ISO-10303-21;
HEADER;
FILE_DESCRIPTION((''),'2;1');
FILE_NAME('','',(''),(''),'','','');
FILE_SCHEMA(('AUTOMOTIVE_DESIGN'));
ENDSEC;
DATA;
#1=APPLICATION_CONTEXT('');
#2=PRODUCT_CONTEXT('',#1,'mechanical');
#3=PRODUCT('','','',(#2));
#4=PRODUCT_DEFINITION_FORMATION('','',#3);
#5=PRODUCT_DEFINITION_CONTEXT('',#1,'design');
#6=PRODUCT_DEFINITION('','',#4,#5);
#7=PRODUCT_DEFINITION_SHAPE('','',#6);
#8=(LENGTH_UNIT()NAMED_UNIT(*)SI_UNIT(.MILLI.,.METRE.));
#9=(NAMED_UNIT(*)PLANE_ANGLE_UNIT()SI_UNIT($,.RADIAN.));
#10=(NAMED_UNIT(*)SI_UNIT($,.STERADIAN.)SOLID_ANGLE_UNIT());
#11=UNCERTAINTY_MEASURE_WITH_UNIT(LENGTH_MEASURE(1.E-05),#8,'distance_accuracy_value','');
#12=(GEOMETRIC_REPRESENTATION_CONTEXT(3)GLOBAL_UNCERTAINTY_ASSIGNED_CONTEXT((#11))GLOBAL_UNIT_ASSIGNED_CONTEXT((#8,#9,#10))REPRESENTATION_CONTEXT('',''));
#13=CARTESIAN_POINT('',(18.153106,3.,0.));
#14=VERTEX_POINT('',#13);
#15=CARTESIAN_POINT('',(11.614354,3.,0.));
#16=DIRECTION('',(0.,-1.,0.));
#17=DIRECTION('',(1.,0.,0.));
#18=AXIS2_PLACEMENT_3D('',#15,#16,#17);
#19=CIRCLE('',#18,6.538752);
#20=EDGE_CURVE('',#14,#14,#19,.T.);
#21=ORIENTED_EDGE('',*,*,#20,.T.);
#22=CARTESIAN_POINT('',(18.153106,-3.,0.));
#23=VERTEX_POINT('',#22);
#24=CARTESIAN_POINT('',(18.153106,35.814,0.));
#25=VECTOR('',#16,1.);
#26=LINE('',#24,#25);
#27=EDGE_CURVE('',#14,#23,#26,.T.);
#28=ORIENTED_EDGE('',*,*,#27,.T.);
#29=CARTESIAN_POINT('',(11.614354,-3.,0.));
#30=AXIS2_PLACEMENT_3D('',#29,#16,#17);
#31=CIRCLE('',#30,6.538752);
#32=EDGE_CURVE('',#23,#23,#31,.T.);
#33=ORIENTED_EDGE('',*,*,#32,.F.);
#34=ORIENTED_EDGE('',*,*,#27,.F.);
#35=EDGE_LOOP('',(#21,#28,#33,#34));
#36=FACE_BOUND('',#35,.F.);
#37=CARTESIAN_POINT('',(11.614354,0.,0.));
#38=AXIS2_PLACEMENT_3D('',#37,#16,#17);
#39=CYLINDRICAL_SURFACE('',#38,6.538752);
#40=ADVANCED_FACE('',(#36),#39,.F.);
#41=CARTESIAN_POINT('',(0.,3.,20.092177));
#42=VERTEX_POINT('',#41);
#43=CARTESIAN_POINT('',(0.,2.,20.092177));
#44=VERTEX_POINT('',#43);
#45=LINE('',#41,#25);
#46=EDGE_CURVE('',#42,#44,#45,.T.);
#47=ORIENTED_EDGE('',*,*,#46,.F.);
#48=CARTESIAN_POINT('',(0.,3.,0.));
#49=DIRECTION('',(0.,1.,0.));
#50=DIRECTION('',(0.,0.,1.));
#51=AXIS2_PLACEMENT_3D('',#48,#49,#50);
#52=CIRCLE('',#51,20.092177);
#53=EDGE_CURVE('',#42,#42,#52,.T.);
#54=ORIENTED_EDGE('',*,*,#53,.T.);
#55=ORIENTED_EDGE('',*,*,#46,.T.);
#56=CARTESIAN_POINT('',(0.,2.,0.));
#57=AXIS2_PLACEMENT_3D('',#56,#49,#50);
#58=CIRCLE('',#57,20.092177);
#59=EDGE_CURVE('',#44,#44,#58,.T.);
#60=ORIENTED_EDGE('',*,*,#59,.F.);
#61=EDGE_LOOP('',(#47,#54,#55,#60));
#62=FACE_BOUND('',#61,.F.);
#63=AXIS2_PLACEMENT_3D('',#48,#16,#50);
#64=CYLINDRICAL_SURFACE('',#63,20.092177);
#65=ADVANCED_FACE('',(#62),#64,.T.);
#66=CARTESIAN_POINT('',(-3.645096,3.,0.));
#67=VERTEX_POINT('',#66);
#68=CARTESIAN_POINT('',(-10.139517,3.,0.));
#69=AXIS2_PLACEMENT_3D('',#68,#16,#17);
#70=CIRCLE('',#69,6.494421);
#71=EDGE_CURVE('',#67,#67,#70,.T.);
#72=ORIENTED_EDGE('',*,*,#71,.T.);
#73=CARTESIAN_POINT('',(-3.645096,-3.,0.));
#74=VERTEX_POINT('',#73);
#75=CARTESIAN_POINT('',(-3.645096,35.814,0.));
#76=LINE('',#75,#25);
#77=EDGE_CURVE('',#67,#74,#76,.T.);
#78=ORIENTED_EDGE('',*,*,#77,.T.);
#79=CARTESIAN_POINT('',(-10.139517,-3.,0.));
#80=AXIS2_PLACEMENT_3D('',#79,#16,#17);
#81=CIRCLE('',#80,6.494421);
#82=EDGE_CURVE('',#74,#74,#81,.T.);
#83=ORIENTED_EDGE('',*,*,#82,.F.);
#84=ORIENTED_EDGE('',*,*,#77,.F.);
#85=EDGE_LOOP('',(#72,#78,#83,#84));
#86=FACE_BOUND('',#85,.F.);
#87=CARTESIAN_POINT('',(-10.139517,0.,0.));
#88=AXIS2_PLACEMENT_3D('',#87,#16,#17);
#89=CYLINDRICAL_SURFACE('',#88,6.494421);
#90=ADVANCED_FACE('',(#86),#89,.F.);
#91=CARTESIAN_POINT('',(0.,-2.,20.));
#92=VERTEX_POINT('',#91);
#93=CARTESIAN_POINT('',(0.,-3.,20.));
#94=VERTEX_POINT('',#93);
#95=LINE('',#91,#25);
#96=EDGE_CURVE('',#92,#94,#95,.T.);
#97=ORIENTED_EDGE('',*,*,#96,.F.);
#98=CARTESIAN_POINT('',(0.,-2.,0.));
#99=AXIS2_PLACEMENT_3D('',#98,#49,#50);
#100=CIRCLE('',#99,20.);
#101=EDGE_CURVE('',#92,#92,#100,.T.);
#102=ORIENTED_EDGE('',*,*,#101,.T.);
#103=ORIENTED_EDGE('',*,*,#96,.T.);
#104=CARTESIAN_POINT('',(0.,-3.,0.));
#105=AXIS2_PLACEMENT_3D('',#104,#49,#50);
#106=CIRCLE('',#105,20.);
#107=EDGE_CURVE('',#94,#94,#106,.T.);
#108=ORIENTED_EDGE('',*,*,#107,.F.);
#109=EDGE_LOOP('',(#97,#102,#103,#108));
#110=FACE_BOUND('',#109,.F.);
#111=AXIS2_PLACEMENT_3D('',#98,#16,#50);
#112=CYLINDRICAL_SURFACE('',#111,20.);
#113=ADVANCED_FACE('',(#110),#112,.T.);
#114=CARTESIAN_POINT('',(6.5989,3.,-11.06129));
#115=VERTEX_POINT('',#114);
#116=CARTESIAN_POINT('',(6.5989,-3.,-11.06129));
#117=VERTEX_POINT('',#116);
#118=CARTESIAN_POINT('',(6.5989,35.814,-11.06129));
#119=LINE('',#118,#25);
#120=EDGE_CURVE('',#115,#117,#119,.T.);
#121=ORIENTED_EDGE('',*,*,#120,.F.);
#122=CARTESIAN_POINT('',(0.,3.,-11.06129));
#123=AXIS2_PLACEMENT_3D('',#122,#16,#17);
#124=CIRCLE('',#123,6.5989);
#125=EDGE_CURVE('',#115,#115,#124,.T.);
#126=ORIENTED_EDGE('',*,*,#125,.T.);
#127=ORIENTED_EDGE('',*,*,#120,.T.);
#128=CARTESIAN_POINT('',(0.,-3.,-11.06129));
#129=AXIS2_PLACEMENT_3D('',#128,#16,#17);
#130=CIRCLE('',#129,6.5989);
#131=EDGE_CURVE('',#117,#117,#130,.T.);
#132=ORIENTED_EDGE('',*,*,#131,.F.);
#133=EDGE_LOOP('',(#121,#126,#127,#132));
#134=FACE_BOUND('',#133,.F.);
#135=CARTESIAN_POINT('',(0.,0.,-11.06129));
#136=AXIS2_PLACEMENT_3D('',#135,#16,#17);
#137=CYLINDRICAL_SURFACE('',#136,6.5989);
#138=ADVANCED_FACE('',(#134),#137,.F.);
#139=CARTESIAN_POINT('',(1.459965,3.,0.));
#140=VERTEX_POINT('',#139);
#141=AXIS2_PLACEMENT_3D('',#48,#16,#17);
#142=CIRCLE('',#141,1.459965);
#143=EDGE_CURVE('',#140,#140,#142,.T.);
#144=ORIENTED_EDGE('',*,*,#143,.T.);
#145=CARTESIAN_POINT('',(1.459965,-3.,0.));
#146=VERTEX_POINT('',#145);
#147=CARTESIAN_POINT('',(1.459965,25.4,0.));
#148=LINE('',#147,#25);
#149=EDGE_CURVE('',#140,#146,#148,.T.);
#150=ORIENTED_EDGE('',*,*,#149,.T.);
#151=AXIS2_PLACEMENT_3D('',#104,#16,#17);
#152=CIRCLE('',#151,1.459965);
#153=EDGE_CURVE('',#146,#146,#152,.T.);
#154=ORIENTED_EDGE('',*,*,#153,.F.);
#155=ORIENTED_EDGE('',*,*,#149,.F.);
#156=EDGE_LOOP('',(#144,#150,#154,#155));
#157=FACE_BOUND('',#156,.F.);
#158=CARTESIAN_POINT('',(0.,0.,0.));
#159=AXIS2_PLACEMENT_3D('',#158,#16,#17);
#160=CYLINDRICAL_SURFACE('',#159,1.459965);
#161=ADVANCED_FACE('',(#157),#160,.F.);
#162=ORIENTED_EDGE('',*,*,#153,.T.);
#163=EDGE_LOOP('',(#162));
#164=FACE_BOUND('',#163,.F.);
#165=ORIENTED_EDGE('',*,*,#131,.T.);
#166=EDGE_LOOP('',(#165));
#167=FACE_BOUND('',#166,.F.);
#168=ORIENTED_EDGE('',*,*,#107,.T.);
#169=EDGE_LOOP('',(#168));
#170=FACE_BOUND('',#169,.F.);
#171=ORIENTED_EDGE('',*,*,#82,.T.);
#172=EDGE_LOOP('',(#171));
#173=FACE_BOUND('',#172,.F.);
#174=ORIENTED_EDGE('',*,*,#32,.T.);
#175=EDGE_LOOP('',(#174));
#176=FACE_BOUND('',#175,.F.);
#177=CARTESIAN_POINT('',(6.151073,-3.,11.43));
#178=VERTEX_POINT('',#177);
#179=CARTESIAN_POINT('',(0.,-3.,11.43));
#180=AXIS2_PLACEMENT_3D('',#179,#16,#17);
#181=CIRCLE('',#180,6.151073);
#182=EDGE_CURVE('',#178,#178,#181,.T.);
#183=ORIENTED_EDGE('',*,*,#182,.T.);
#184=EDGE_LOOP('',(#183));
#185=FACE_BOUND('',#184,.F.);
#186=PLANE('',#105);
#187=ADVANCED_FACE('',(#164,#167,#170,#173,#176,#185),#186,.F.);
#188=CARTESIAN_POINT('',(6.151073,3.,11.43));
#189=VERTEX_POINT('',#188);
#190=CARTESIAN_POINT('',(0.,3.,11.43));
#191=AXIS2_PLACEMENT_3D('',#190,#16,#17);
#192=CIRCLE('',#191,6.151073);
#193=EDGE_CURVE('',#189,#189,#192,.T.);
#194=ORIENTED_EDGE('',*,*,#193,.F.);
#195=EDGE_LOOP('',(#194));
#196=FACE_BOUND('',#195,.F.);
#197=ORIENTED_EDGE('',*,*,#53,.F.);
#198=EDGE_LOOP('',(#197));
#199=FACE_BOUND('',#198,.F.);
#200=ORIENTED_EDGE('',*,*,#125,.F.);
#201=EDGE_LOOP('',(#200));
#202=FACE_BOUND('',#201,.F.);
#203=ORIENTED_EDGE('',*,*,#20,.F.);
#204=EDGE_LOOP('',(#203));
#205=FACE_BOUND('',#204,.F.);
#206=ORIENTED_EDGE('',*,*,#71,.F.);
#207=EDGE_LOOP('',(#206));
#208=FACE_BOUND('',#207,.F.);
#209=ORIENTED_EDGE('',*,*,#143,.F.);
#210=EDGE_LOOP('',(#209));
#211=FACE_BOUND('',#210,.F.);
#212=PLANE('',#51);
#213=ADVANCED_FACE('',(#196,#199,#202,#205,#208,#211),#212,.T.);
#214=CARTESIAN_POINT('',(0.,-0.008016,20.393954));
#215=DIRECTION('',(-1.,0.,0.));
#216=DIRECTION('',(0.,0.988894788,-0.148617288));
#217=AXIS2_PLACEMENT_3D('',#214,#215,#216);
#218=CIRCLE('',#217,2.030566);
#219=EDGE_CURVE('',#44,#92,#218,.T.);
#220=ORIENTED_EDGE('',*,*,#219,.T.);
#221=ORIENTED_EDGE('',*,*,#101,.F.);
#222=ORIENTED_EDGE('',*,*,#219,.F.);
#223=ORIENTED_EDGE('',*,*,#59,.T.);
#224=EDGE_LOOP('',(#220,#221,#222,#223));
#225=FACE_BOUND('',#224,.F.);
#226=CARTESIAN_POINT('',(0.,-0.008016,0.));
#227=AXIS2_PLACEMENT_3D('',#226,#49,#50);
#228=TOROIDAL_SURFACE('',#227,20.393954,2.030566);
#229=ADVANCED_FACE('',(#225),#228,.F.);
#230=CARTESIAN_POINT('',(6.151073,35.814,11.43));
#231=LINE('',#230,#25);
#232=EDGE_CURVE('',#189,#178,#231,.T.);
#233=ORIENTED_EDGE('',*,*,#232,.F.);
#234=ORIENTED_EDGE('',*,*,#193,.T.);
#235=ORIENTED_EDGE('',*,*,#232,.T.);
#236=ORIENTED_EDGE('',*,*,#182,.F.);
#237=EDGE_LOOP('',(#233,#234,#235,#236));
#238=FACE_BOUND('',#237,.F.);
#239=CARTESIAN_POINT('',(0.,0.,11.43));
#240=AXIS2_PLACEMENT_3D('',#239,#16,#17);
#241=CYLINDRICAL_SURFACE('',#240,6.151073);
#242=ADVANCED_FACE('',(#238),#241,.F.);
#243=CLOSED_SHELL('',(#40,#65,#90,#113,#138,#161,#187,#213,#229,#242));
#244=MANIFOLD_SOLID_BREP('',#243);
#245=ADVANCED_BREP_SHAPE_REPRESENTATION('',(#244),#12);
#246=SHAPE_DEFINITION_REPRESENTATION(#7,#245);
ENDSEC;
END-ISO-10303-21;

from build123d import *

# Parameters (mm, degrees)
F2_R          = 1.459965
F3_DEPTH      = 23.4188
F3_DEPTH_BACK = 25.4
F5_R          = 6.151073
F5_R_2        = 6.494421
F5_R_3        = 6.5989
F5_R_4        = 6.538752
F6_DEPTH      = 38.608
F6_DEPTH_BACK = 35.814


with BuildPart() as f1:
    # F0 (on Right) → F1 (revolve)
    with BuildSketch(Plane.YZ):
        with BuildLine():
            Line((-3, 20), (-3, 0))
            Line((-3, 0), (3, 0))
            Line((3, 0), (3, 20.092177))
            Line((3, 20.092177), (2, 20.092177))
            ThreePointArc((2, 20.092177), (0.038764, 18.363927), (-2, 20))
            Line((-2, 20), (-3, 20))
        make_face()
    revolve(axis=Axis((0, 0, 0), (0, 1, 0)))


with BuildPart() as f3:
    # F2 (on Front) → F3 (new body, two sides)
    with BuildSketch(Plane.XZ) as f3_sk:
        Circle(F2_R)
    extrude(amount=F3_DEPTH)
    extrude(f3_sk.sketch, amount=-F3_DEPTH_BACK)


with BuildPart() as f1_1:
    add(f1.part)

    # F4: cut F3
    add(f3.part, mode=Mode.SUBTRACT)


with BuildPart() as f6:
    # F5 (on Front) → F6 (new body, two sides)
    with BuildSketch(Plane.XZ) as f6_sk:
        with Locations((0, 11.43)):
            Circle(F5_R)
        with Locations((-10.139517, 0)):
            Circle(F5_R_2)
        with Locations((0, -11.06129)):
            Circle(F5_R_3)
        with Locations((11.614354, 0)):
            Circle(F5_R_4)
    extrude(amount=F6_DEPTH)
    extrude(f6_sk.sketch, amount=-F6_DEPTH_BACK)


with BuildPart() as f1_2:
    add(f1_1.part)

    # F7: cut F6
    add(f6.part, mode=Mode.SUBTRACT)


solid = f1_2.part
